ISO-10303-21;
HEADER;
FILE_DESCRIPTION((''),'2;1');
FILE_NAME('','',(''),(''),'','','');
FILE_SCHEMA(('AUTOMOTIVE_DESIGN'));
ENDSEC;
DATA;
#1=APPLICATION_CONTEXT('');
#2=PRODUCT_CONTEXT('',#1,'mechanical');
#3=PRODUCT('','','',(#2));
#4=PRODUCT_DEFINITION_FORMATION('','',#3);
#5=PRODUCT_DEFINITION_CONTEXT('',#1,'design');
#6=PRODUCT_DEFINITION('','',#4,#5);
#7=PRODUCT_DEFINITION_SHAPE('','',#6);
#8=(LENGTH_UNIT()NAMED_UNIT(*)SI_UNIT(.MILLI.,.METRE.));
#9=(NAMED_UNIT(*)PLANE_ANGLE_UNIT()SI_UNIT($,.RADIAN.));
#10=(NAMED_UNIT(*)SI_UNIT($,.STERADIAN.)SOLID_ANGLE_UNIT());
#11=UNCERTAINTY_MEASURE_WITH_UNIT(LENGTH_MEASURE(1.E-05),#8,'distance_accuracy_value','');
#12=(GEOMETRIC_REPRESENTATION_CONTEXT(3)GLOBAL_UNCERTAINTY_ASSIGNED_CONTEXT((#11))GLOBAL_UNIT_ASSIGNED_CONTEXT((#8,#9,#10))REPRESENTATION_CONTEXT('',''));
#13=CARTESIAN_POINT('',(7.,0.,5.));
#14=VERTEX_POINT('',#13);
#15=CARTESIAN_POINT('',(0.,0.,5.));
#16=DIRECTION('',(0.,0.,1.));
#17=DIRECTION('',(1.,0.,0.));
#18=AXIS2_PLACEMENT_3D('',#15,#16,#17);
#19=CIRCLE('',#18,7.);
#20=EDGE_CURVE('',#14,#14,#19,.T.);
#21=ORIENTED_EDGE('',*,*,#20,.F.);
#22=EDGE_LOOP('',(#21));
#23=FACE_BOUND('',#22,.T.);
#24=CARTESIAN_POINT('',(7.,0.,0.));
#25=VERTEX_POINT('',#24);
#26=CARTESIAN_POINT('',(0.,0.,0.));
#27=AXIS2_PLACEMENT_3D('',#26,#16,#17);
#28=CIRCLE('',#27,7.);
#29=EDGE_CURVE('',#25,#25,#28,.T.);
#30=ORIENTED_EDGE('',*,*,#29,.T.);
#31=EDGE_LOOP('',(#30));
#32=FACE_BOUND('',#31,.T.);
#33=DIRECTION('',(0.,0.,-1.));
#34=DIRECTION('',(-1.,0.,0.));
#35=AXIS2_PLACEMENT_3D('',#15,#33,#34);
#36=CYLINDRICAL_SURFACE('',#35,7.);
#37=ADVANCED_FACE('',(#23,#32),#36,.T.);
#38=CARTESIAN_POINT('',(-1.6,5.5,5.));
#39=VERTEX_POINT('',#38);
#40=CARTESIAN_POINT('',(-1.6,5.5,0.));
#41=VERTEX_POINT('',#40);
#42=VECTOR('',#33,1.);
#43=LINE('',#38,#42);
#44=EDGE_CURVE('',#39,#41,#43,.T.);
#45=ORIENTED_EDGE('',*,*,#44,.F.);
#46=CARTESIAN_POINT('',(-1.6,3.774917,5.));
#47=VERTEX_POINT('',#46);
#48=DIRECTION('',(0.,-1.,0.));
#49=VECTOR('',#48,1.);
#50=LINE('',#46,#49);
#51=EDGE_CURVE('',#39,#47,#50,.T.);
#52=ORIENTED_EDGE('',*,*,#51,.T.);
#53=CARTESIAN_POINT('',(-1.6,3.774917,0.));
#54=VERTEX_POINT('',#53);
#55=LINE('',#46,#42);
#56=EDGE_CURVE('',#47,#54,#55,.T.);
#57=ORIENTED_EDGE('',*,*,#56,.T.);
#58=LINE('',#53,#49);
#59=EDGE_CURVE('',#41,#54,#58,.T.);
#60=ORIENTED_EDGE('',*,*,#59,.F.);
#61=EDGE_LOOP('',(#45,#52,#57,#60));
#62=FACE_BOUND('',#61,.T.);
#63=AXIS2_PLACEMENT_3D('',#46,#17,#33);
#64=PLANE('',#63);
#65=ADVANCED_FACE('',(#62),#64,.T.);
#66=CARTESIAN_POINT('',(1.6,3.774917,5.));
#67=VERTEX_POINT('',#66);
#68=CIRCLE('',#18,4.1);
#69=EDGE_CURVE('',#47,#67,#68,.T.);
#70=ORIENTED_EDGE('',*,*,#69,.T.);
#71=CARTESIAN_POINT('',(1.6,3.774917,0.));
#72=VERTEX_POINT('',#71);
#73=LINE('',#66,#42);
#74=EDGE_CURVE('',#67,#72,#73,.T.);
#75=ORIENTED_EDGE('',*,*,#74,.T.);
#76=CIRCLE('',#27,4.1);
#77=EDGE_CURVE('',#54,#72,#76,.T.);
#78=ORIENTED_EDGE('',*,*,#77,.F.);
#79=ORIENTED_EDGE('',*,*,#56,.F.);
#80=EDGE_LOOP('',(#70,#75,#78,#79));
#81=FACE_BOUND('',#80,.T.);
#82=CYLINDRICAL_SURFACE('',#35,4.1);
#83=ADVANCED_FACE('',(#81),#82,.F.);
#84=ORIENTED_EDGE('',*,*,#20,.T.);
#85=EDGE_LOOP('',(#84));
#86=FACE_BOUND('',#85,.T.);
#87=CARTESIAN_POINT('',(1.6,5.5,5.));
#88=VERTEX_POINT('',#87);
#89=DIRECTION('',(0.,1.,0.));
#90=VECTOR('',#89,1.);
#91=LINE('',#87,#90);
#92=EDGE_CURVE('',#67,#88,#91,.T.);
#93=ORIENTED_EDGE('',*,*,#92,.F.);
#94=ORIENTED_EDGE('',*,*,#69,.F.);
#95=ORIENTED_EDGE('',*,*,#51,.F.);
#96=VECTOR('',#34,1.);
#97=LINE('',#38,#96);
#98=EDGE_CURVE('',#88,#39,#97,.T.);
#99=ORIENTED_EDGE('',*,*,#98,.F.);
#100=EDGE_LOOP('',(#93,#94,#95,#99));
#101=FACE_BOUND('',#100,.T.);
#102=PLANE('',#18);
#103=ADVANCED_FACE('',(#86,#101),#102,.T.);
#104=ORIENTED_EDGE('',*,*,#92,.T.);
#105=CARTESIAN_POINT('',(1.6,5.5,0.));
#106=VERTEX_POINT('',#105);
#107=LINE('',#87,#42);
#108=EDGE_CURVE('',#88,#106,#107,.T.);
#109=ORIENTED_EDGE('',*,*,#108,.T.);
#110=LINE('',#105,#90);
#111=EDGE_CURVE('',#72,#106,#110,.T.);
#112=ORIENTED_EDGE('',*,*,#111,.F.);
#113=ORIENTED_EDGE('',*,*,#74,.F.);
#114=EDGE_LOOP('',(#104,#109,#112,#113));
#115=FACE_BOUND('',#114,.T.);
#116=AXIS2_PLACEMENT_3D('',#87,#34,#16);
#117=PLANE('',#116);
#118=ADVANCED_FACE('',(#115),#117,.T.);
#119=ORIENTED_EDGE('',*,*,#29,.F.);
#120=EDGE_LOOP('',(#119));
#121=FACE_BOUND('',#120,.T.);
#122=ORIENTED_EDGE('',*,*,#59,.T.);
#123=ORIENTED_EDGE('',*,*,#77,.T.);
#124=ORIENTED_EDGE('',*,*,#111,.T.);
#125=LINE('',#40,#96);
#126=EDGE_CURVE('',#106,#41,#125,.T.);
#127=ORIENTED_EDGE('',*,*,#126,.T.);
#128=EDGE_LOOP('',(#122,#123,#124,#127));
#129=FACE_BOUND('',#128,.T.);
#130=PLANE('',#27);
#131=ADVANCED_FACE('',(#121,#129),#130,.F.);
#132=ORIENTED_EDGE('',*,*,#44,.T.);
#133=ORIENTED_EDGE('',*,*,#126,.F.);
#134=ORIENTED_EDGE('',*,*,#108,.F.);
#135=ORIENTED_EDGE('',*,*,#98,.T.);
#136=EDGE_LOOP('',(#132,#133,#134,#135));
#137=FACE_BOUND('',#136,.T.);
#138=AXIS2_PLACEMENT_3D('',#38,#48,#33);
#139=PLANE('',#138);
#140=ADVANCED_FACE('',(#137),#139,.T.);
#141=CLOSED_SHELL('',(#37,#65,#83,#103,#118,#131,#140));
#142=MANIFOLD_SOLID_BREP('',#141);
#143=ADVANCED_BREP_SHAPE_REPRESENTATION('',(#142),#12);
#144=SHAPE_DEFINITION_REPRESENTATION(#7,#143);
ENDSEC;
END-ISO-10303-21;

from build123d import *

# Parameters (mm, degrees)
SKETCH1_R           = 7
BOSS_EXTRUDE1_DEPTH = 5


with BuildPart() as part:
    # Sketch1 → Boss-Extrude1 (new body)
    with BuildSketch(Plane.XY):
        Circle(SKETCH1_R)
        with BuildLine():
            Line((-1.6, 3.774917218), (-1.6, 5.5))
            Line((-1.6, 5.5), (1.6, 5.5))
            Line((1.6, 5.5), (1.6, 3.774917218))
            ThreePointArc((1.6, 3.774917218), (0, -4.1), (-1.6, 3.774917218))
        make_face(mode=Mode.SUBTRACT)
    extrude(amount=BOSS_EXTRUDE1_DEPTH)


solid = part.part
